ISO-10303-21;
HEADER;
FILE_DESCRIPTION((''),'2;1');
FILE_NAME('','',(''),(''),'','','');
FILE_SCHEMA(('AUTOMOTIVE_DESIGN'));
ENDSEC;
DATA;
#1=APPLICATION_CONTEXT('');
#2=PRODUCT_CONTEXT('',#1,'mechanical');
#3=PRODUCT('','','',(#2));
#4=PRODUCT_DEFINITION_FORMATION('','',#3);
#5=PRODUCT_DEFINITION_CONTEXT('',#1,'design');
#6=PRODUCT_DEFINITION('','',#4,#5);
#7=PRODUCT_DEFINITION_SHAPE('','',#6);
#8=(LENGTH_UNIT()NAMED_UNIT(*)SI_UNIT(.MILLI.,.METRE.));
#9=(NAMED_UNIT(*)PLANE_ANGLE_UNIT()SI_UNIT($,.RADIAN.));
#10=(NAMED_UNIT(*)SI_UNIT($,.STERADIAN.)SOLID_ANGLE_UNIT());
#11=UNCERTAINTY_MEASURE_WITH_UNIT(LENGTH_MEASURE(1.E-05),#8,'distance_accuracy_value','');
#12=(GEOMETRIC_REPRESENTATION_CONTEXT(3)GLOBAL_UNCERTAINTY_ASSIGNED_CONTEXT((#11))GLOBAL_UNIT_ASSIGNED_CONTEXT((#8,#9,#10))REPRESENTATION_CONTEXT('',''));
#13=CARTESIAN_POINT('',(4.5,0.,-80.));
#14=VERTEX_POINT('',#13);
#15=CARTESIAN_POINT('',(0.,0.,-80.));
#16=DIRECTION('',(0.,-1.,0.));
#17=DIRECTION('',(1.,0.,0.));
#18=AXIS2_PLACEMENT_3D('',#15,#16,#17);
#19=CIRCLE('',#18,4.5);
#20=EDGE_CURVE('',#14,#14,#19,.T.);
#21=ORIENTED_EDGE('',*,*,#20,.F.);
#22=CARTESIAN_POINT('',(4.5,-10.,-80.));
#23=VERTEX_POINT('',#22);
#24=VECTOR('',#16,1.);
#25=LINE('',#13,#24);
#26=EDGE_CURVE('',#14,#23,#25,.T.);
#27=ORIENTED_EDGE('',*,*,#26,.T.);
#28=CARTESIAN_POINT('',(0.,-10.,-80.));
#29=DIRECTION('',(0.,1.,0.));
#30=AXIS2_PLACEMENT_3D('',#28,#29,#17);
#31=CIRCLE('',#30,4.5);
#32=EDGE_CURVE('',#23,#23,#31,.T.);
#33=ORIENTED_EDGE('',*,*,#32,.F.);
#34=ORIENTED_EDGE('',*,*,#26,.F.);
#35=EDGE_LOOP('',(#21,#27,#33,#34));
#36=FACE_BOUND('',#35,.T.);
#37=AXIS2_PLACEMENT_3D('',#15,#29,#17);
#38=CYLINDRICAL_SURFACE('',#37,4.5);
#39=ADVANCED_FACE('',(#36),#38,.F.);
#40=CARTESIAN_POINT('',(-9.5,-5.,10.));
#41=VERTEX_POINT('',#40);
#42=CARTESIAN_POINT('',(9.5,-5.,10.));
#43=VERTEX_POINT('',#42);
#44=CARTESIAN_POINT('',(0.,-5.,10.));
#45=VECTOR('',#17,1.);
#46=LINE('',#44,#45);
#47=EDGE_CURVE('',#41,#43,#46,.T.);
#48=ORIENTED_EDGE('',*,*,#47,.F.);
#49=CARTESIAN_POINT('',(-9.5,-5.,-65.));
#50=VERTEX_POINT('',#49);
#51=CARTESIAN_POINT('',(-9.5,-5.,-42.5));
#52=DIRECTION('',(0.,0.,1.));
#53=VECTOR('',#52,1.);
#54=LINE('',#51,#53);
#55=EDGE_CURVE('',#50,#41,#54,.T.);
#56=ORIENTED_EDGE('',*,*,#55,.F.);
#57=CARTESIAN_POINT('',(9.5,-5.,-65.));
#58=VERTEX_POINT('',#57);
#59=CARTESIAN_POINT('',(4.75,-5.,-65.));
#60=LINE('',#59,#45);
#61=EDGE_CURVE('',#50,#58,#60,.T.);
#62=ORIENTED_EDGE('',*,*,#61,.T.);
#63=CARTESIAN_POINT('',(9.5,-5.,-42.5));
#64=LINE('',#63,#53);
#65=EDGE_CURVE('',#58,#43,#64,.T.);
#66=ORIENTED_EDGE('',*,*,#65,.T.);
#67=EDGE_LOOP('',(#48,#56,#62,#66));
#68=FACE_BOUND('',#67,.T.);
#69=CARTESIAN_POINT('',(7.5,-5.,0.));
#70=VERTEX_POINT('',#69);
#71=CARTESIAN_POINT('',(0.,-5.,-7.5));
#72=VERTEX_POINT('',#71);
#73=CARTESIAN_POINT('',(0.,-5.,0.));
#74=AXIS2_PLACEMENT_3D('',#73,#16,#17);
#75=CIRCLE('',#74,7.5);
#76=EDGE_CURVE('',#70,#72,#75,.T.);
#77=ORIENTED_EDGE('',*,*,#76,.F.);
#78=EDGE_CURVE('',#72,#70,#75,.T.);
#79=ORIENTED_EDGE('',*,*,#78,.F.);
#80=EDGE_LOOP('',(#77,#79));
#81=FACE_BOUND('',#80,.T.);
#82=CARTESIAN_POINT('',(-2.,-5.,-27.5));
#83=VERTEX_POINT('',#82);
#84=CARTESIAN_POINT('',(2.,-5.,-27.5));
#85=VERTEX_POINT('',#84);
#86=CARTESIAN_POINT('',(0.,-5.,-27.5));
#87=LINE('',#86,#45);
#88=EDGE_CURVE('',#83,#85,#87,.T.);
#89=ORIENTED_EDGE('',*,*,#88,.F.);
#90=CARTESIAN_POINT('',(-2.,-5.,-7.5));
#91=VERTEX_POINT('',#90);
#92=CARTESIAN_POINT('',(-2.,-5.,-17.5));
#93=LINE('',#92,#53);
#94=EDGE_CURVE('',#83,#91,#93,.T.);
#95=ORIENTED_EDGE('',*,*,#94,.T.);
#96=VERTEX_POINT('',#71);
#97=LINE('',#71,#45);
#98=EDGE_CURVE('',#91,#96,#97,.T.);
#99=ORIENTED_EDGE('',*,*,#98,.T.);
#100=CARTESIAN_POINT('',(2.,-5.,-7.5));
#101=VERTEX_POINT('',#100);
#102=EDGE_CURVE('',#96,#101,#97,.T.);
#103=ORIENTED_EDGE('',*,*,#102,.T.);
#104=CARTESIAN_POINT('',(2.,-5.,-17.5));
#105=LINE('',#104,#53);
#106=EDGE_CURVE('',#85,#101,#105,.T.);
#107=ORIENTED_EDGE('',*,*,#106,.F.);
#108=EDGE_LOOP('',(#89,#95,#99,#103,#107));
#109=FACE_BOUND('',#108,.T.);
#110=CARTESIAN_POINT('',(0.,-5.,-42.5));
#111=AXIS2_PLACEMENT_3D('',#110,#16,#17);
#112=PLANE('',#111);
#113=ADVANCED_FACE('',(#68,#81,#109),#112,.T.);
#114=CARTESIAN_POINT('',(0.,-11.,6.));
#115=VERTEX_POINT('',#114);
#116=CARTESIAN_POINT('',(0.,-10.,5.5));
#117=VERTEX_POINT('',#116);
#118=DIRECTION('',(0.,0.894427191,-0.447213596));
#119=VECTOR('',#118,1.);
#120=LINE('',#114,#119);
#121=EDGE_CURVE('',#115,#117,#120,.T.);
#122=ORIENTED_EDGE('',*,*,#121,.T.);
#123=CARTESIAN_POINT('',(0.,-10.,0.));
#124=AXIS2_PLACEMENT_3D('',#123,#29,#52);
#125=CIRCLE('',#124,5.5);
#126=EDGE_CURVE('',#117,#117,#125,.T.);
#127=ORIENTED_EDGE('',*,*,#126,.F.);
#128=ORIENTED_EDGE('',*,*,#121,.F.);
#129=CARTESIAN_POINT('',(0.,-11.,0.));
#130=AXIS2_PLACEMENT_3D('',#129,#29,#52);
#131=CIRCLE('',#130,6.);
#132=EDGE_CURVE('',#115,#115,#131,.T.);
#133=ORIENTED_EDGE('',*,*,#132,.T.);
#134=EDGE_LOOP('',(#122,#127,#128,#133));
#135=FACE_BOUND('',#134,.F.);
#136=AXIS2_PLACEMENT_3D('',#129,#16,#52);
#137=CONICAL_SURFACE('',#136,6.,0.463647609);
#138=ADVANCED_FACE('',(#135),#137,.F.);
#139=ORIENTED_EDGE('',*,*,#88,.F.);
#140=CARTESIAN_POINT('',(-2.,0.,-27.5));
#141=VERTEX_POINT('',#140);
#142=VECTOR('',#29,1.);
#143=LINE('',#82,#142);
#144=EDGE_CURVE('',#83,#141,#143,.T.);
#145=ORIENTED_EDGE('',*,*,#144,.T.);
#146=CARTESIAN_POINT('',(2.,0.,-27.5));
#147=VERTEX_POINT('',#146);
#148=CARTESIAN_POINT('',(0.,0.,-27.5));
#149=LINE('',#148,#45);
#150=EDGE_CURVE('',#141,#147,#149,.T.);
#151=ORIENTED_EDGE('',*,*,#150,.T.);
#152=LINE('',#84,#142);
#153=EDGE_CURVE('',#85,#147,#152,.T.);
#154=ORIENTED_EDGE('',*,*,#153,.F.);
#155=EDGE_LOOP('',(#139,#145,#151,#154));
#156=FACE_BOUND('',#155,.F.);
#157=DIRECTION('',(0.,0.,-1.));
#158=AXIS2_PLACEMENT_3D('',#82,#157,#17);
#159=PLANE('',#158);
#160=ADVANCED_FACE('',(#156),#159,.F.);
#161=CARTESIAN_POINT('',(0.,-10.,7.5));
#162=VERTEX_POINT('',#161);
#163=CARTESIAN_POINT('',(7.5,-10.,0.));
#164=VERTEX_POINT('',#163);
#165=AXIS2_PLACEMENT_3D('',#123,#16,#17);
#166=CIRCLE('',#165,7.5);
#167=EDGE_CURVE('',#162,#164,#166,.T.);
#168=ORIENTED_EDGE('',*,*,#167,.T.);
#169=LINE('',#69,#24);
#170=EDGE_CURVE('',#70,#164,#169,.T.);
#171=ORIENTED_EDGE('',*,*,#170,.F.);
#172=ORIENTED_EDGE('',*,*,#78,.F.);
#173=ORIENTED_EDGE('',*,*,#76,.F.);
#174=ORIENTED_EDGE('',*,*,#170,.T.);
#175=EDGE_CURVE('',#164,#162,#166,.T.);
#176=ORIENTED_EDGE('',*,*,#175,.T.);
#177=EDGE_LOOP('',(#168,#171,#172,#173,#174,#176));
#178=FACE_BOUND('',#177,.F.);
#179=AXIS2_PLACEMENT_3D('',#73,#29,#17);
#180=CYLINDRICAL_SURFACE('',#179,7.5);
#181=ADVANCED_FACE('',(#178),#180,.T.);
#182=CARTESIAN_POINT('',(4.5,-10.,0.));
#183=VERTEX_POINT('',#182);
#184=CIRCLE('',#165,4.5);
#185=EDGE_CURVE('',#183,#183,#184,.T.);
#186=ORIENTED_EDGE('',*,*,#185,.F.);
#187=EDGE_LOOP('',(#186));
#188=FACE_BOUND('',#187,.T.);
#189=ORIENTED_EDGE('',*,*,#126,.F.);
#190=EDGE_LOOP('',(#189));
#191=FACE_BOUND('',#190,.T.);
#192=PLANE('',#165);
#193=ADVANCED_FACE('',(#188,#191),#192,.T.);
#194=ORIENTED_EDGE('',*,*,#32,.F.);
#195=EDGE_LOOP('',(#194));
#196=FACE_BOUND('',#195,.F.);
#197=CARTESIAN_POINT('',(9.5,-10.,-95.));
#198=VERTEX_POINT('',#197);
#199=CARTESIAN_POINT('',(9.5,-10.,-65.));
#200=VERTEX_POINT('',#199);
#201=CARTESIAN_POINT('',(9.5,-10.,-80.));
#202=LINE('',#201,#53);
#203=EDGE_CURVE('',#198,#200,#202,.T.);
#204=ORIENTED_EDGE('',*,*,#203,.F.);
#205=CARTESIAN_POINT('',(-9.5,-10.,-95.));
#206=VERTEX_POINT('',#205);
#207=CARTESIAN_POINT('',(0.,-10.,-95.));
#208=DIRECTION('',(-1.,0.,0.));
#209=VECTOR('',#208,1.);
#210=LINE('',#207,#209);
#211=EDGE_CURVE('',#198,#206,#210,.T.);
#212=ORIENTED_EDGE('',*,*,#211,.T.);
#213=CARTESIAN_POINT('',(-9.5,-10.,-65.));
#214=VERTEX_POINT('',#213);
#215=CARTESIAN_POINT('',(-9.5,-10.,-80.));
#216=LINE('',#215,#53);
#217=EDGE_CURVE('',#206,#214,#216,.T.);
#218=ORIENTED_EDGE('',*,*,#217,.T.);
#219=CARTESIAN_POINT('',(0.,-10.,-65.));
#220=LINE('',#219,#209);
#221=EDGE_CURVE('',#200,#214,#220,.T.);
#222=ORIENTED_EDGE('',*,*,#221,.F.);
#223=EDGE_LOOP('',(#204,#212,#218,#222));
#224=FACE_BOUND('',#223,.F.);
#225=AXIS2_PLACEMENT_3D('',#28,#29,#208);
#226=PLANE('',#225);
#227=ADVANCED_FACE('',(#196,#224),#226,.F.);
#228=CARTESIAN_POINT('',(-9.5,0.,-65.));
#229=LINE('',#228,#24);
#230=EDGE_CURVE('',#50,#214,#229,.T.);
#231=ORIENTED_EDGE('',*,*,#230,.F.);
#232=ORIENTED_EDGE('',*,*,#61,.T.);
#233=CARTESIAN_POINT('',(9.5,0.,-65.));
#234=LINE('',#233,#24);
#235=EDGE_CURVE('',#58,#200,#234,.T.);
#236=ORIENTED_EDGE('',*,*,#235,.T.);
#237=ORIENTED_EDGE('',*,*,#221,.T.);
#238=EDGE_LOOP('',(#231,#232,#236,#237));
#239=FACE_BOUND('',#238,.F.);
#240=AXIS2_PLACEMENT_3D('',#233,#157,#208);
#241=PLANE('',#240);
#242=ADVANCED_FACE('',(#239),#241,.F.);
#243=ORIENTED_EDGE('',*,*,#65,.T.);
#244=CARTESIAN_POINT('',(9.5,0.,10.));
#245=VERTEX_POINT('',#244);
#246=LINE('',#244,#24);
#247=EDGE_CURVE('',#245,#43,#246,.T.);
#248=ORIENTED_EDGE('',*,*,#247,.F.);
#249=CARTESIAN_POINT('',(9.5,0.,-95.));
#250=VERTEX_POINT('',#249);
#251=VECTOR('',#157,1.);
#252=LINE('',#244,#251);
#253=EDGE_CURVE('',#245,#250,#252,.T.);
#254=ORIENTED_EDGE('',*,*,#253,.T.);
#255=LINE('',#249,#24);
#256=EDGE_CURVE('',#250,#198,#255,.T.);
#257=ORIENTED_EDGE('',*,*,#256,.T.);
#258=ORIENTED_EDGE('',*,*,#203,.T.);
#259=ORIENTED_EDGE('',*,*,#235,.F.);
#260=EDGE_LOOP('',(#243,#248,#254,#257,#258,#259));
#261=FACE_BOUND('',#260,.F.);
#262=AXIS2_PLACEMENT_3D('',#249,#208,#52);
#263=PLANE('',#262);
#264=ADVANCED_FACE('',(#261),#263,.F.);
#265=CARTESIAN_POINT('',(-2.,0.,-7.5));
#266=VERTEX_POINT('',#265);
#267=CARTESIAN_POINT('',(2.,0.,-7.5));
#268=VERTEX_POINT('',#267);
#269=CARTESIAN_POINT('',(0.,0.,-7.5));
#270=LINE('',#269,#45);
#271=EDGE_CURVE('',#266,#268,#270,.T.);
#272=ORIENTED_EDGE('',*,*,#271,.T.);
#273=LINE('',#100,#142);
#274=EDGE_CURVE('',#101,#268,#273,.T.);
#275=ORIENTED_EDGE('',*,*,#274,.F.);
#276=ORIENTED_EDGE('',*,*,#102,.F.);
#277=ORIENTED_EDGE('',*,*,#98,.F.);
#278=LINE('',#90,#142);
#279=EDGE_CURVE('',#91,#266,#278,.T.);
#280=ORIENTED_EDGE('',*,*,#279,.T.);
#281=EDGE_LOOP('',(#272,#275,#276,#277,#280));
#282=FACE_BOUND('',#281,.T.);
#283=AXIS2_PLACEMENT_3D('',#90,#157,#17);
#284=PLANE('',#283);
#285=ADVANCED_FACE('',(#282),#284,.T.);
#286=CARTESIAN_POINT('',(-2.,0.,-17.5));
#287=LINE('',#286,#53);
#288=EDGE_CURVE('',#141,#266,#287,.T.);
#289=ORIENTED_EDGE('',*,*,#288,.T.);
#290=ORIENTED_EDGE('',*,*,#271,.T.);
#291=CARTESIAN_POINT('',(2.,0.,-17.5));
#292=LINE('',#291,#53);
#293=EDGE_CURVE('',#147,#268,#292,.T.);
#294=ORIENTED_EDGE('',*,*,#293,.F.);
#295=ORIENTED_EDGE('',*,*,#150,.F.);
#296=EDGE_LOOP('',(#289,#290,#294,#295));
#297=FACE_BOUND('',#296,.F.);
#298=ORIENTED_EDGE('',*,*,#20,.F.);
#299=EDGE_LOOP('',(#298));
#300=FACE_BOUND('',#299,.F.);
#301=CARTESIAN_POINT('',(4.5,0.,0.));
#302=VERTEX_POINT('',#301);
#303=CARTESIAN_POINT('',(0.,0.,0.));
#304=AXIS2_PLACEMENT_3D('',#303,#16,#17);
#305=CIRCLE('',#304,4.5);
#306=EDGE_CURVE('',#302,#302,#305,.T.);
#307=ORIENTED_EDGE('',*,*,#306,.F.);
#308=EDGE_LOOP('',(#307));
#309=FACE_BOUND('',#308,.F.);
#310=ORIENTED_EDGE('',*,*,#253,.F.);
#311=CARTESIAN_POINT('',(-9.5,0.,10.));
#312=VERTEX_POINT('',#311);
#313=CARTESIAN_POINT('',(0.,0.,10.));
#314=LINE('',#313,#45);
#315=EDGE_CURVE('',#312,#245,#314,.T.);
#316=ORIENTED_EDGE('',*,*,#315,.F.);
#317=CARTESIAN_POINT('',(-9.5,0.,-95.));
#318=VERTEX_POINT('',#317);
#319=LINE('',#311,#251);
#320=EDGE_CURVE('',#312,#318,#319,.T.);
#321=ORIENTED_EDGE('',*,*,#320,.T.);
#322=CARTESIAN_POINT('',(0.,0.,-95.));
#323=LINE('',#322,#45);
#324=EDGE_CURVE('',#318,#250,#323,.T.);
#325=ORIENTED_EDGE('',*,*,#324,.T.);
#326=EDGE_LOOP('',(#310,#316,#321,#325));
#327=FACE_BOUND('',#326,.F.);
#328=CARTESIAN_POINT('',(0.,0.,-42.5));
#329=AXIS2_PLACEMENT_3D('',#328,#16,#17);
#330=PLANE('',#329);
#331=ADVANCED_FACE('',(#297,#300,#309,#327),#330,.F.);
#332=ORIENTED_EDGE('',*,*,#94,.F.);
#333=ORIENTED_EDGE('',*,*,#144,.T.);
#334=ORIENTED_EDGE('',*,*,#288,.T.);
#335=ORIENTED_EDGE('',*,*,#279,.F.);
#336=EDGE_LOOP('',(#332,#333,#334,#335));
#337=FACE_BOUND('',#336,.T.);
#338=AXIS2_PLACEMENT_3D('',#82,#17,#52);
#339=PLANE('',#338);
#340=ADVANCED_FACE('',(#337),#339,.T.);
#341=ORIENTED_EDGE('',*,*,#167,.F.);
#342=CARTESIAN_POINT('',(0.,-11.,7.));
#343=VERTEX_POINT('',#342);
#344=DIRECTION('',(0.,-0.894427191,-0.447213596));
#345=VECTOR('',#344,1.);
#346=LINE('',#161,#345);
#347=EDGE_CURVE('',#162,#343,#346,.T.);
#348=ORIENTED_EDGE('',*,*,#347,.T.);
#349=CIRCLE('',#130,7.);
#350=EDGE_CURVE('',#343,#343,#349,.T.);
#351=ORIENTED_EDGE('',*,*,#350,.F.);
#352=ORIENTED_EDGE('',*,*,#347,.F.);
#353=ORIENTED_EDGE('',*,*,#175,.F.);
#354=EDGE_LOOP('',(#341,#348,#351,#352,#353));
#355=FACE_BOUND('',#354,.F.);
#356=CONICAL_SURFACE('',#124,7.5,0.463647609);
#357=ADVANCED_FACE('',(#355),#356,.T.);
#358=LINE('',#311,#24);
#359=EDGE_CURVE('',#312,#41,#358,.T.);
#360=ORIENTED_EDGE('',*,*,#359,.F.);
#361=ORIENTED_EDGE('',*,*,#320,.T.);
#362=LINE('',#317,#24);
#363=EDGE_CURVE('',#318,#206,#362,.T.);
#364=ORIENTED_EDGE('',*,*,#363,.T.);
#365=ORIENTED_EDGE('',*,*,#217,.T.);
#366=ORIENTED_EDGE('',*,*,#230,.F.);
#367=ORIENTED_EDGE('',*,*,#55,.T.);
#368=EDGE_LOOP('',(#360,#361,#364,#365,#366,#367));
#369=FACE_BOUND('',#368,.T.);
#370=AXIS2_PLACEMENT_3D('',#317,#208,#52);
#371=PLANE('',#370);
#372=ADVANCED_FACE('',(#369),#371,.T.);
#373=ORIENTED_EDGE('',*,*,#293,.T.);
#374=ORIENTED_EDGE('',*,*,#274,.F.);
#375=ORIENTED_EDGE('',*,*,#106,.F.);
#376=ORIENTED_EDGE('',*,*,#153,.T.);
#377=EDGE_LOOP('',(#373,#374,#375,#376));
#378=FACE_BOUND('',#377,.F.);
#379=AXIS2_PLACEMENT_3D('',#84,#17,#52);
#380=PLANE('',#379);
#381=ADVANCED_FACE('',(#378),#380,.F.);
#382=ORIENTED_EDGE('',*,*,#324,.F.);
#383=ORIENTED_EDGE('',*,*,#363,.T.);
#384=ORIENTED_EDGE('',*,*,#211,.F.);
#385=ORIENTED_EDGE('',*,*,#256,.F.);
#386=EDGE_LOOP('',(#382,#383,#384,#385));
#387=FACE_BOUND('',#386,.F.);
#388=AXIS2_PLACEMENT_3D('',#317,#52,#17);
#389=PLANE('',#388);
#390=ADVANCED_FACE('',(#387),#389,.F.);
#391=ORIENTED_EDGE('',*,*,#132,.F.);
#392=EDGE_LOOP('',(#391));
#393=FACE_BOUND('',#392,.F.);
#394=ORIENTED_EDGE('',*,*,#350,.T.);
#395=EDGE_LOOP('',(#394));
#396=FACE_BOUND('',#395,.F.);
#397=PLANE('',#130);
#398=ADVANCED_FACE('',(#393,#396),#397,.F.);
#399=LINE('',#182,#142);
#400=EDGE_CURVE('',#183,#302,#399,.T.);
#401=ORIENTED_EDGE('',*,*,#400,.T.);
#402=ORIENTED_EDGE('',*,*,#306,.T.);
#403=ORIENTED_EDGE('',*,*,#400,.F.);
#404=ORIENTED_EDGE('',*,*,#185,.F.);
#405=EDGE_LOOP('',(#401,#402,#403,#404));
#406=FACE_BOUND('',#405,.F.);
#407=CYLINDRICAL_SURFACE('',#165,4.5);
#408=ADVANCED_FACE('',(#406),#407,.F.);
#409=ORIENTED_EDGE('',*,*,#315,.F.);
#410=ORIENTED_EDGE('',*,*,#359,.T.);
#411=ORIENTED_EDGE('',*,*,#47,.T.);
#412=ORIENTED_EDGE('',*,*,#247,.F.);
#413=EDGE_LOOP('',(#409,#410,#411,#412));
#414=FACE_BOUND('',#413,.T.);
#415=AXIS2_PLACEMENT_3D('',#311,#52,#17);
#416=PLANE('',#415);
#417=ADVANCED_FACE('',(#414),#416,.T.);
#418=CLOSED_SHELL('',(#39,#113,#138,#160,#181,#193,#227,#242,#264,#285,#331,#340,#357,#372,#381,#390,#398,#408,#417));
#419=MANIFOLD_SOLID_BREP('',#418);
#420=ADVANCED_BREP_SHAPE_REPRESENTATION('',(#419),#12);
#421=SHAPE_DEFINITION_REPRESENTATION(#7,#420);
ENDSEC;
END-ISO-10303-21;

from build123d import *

# Parameters (mm, degrees)
F0_W      = 19
F0_H      = 105
F1_DEPTH  = 5
F2_R      = 7.5
F3_DEPTH  = 5
F6_R      = 4.5
F7_DEPTH  = 10.001
F8_W      = 19
F8_H      = 30
F9_DEPTH  = 10
F10_R     = 4.5
F11_DEPTH = 11.001
F12_W     = 4
F12_H     = 20
F13_DEPTH = 5


with BuildPart() as f1:
    # F0 (on Front) → F1 (new body)
    with BuildSketch(Plane.XZ):
        with Locations((0, -42.5)):
            Rectangle(F0_W, F0_H)
    extrude(amount=F1_DEPTH)

    # F2 (on face) → F3 (join)
    with BuildSketch(Plane.XZ.offset(5)):
        Circle(F2_R)
    extrude(amount=F3_DEPTH)

    # F4 (on Right) → F5 (revolve)
    with BuildSketch(Plane.YZ):
        Polygon((-10, 5.5), (-10, 7.5), (-11, 7), (-11, 6), align=None)
    revolve(axis=Axis((0, -10.5, 0), (0, 1, 0)))

    # F6 (on face) → F7 (cut, through all)
    with BuildSketch(Plane.XZ.offset(10)):
        Circle(F6_R)
    extrude(amount=-F7_DEPTH, mode=Mode.SUBTRACT)

    # F8 (on face) → F9 (join)
    with BuildSketch(Plane(origin=(0, 0, 0), x_dir=(-1, 0, 0), z_dir=(0, 1, 0))):
        with Locations((0, -80)):
            Rectangle(F8_W, F8_H)
    extrude(amount=-F9_DEPTH)

    # F10 (on face) → F11 (cut, through all)
    with BuildSketch(Plane.XZ):
        with Locations((0, -80)):
            Circle(F10_R)
    extrude(amount=F11_DEPTH, mode=Mode.SUBTRACT)

    # F12 (on face) → F13 (cut, through all)
    with BuildSketch(Plane.XZ.offset(5)):
        with Locations((0, -17.5)):
            Rectangle(F12_W, F12_H)
    extrude(amount=-F13_DEPTH, mode=Mode.SUBTRACT)


solid = f1.part
